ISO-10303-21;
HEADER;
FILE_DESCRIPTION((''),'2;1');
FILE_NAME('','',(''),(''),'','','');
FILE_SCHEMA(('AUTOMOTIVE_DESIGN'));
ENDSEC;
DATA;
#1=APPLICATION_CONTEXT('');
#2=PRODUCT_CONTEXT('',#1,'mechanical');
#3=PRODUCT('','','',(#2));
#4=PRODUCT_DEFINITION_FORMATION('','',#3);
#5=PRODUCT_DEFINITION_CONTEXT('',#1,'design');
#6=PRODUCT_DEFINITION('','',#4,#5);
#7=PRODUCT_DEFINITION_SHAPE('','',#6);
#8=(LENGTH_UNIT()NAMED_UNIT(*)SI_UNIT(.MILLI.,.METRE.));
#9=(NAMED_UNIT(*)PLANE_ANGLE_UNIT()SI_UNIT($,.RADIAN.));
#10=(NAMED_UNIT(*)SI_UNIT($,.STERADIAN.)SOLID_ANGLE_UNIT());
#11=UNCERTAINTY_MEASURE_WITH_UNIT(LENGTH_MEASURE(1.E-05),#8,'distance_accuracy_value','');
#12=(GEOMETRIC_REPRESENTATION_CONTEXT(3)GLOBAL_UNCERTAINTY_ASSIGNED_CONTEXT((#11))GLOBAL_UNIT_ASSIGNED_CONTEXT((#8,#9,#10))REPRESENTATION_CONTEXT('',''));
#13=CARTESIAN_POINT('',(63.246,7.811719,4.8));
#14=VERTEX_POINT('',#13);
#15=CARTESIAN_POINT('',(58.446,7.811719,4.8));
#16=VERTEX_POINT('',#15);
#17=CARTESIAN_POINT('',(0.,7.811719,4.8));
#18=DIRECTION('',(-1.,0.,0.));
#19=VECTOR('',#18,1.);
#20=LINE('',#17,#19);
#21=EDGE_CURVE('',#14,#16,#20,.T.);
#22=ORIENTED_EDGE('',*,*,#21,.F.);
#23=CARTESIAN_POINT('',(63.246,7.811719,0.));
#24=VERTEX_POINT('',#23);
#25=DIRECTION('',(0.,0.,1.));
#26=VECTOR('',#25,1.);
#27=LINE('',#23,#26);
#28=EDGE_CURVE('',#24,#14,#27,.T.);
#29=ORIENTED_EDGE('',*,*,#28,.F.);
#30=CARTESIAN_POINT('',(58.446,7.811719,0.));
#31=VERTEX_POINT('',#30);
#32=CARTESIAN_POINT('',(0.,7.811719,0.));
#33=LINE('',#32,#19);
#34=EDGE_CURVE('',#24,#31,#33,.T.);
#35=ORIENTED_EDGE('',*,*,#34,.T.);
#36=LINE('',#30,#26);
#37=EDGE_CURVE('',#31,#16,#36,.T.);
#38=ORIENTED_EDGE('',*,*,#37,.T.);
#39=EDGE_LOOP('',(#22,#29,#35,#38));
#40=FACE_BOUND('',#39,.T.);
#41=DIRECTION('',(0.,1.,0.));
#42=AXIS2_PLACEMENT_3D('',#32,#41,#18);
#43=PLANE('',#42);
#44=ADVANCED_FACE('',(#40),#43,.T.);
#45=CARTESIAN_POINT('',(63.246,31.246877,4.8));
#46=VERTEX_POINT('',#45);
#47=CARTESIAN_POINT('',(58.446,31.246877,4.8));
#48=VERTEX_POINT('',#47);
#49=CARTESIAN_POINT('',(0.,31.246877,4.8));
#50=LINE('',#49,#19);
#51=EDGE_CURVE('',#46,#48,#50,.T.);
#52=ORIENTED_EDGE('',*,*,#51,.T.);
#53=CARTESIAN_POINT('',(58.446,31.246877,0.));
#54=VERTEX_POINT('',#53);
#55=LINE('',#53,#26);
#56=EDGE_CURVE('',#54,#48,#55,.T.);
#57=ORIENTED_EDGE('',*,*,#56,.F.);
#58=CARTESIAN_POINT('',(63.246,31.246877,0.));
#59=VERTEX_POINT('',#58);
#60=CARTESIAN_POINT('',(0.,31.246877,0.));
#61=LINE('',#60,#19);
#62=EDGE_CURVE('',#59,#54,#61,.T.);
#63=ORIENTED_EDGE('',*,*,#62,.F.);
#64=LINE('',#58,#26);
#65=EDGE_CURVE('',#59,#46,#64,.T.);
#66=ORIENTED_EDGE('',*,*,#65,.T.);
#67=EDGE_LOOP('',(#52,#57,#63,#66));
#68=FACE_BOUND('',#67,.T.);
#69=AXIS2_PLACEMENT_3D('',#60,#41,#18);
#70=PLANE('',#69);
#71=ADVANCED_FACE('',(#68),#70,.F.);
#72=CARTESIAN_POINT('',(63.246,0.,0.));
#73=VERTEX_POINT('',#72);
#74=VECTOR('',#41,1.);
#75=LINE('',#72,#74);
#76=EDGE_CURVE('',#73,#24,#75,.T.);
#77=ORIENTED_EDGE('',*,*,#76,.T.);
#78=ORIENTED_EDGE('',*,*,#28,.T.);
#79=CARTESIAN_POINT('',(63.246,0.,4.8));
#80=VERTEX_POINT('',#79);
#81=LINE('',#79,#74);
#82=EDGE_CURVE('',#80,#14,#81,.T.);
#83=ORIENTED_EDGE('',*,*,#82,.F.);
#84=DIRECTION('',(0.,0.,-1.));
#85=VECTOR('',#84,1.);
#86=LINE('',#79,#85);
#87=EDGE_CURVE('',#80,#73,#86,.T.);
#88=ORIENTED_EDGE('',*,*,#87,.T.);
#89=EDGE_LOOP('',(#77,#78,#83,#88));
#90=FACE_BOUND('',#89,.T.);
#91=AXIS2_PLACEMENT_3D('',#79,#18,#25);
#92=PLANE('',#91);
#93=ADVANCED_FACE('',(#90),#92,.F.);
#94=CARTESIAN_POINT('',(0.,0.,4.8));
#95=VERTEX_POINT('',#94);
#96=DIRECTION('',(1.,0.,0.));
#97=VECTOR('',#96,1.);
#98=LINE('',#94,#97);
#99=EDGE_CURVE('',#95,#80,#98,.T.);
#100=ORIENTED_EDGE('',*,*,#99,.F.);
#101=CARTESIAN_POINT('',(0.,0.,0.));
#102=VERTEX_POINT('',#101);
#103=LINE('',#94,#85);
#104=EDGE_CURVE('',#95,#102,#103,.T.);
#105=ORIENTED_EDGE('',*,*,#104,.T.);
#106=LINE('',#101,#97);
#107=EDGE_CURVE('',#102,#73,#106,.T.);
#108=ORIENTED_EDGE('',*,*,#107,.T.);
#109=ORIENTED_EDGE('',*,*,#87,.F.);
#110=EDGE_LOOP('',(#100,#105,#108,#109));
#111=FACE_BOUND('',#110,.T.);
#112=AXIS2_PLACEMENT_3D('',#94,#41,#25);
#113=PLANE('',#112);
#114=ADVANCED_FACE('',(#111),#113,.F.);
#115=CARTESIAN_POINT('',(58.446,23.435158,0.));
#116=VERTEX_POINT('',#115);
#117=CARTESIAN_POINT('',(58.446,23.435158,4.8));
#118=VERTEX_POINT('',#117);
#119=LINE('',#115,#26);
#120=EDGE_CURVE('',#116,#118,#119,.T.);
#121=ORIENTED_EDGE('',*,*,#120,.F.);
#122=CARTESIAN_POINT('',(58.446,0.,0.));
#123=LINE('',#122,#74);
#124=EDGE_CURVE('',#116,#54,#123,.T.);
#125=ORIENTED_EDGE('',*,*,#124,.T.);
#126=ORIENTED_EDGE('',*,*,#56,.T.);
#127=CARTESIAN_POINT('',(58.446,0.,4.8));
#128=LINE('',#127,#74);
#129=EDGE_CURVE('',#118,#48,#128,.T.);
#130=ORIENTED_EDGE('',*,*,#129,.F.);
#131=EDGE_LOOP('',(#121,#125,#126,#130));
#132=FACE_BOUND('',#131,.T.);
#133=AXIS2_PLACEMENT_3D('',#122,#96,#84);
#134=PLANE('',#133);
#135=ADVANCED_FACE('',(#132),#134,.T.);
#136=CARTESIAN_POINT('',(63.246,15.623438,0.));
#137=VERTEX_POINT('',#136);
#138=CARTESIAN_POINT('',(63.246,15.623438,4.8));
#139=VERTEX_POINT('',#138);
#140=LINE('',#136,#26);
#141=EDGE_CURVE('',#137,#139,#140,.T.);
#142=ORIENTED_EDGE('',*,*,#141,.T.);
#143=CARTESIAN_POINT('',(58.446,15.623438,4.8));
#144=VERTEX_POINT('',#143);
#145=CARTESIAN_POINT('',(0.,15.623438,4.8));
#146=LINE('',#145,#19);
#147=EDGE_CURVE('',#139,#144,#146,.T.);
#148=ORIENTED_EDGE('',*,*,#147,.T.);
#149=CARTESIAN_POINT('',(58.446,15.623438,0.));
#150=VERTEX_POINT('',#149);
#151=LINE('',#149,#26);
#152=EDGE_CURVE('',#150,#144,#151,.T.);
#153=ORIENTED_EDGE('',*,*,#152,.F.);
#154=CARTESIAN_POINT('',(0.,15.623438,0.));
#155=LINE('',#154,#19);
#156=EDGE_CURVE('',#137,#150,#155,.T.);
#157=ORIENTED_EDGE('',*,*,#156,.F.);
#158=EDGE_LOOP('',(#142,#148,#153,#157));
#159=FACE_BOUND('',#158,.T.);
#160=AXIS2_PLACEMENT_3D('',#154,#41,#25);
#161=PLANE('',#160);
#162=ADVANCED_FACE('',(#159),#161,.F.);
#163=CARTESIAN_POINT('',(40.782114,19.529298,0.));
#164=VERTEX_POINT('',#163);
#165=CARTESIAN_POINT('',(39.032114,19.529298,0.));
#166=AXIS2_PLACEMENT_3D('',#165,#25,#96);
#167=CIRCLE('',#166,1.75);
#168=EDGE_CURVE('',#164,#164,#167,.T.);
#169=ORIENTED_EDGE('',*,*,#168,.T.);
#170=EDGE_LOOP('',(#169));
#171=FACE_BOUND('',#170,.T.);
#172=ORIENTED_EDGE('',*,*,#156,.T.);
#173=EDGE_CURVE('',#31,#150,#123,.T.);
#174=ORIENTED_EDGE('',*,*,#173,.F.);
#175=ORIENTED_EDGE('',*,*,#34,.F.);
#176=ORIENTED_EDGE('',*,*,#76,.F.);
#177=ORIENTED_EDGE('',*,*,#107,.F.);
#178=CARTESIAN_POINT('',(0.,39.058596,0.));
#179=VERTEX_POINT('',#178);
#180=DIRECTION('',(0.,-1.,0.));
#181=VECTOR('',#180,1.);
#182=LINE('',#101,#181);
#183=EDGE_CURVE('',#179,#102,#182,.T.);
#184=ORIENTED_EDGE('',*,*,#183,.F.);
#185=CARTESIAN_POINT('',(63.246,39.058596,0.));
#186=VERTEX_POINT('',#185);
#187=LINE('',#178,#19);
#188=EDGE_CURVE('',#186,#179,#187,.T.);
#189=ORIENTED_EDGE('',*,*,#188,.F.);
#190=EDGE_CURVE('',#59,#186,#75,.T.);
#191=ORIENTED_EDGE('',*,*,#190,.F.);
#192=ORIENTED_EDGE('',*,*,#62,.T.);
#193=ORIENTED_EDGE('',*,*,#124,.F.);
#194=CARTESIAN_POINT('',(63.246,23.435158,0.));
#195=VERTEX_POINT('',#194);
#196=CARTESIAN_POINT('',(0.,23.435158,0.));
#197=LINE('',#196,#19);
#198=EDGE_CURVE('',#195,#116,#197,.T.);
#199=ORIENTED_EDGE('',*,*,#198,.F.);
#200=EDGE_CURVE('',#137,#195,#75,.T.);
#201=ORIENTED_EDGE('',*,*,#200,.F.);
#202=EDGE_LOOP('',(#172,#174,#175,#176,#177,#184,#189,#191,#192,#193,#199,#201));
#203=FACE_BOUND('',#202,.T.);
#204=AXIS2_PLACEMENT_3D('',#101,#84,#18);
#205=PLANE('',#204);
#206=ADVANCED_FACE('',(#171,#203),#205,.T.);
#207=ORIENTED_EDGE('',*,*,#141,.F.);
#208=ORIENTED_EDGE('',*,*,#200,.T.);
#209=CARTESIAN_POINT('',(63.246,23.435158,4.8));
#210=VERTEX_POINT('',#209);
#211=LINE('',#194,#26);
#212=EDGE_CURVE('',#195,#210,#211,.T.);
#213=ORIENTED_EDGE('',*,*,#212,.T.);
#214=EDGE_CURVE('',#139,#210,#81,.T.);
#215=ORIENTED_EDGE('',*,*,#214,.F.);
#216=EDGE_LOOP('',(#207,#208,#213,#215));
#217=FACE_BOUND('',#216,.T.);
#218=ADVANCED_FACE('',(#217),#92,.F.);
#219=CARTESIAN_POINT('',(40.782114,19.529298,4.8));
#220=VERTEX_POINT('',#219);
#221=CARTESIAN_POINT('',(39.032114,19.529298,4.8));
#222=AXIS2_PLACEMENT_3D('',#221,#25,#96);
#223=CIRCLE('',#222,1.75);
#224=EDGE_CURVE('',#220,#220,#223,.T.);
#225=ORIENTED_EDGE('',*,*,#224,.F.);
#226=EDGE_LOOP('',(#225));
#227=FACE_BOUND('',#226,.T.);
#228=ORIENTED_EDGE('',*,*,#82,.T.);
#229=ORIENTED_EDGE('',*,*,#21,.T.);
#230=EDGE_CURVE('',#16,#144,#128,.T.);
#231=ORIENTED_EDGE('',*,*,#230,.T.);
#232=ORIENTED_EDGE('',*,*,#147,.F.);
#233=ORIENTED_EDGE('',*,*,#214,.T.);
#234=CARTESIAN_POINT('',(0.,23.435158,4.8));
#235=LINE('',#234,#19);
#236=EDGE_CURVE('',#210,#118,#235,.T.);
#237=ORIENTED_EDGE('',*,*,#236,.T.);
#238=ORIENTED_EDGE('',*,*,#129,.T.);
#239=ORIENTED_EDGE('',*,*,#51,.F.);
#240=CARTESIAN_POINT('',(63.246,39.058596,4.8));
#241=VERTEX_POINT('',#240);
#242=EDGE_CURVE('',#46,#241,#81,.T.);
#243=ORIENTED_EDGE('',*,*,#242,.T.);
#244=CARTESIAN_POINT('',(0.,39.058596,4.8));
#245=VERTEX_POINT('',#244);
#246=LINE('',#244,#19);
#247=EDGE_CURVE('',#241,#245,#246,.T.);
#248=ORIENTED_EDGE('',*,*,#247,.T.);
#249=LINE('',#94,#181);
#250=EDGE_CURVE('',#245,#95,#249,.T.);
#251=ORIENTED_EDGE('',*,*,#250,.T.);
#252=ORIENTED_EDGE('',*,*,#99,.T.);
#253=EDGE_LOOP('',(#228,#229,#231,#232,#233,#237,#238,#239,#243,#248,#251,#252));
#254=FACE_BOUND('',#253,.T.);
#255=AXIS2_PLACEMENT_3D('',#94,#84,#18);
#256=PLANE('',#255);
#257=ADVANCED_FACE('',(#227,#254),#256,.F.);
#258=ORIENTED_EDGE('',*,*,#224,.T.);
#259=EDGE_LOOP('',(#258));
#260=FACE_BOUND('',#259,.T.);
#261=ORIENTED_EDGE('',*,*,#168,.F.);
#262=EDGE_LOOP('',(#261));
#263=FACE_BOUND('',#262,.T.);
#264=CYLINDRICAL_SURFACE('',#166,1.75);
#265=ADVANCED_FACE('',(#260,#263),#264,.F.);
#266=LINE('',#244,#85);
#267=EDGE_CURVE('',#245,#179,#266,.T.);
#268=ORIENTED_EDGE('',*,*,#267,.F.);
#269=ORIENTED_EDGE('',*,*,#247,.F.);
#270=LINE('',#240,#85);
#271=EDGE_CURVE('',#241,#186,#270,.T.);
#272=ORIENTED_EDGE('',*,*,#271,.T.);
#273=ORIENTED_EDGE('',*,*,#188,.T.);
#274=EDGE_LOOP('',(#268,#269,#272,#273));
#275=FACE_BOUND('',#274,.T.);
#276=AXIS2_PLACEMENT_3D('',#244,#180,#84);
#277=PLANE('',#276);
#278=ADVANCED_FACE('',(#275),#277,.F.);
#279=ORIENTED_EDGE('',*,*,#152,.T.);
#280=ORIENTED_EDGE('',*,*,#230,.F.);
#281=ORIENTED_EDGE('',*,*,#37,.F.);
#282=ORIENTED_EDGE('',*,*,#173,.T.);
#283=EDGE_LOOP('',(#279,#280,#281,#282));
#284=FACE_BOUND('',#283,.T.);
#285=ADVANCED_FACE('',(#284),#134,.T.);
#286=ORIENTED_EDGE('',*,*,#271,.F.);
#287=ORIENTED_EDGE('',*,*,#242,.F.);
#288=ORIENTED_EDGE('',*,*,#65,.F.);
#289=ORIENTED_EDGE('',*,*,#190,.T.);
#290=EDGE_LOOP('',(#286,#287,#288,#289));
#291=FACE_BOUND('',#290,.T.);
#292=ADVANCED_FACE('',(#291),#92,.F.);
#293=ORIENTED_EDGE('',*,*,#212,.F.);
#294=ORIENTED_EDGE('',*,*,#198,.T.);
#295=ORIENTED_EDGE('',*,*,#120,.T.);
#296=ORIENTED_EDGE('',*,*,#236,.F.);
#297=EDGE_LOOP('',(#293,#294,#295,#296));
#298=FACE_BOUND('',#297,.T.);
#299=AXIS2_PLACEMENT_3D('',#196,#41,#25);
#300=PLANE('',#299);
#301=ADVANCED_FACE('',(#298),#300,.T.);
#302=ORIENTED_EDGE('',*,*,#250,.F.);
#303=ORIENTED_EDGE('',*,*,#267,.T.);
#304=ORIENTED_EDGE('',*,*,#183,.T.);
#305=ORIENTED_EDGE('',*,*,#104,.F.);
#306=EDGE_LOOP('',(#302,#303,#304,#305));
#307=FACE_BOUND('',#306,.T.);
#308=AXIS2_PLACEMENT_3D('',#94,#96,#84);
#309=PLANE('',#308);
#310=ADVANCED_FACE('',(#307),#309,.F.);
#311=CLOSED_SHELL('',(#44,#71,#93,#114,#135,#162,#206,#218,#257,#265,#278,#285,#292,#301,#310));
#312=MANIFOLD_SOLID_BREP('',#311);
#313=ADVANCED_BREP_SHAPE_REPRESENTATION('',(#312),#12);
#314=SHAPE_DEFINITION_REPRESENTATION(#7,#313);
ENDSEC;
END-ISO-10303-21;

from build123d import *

# Parameters (mm, degrees)
SKETCH2_W           = 63.246
SKETCH2_H           = 39.058596
BOSS_EXTRUDE1_DEPTH = 4.800000052
SKETCH5_W           = 4.800000052
SKETCH5_H           = 7.8117192
CUT_EXTRUDE1_DEPTH  = 75.489398158
SKETCH6_R           = 1.750000056
CUT_EXTRUDE2_DEPTH  = 75.489398158


with BuildPart() as part:
    # Sketch2 → Boss-Extrude1 (new body)
    with BuildSketch(Plane.XY):
        with Locations((31.623, 19.529298)):
            Rectangle(SKETCH2_W, SKETCH2_H)
    extrude(amount=BOSS_EXTRUDE1_DEPTH)

    # Sketch5 → Cut-Extrude1 (cut, through all)
    with BuildSketch(Plane.XY.offset(4.800000052)):
        with Locations((60.845999974, 11.7175788)):
            Rectangle(SKETCH5_W, SKETCH5_H)
        with Locations((60.845999974, 27.3410172)):
            Rectangle(SKETCH5_W, SKETCH5_H)
    extrude(amount=-CUT_EXTRUDE1_DEPTH, mode=Mode.SUBTRACT)

    # Sketch6 → Cut-Extrude2 (cut, through all)
    with BuildSketch(Plane.XY.offset(4.800000052)):
        with Locations((39.032113706, 19.529298)):
            Circle(SKETCH6_R)
    extrude(amount=-CUT_EXTRUDE2_DEPTH, mode=Mode.SUBTRACT)


solid = part.part
